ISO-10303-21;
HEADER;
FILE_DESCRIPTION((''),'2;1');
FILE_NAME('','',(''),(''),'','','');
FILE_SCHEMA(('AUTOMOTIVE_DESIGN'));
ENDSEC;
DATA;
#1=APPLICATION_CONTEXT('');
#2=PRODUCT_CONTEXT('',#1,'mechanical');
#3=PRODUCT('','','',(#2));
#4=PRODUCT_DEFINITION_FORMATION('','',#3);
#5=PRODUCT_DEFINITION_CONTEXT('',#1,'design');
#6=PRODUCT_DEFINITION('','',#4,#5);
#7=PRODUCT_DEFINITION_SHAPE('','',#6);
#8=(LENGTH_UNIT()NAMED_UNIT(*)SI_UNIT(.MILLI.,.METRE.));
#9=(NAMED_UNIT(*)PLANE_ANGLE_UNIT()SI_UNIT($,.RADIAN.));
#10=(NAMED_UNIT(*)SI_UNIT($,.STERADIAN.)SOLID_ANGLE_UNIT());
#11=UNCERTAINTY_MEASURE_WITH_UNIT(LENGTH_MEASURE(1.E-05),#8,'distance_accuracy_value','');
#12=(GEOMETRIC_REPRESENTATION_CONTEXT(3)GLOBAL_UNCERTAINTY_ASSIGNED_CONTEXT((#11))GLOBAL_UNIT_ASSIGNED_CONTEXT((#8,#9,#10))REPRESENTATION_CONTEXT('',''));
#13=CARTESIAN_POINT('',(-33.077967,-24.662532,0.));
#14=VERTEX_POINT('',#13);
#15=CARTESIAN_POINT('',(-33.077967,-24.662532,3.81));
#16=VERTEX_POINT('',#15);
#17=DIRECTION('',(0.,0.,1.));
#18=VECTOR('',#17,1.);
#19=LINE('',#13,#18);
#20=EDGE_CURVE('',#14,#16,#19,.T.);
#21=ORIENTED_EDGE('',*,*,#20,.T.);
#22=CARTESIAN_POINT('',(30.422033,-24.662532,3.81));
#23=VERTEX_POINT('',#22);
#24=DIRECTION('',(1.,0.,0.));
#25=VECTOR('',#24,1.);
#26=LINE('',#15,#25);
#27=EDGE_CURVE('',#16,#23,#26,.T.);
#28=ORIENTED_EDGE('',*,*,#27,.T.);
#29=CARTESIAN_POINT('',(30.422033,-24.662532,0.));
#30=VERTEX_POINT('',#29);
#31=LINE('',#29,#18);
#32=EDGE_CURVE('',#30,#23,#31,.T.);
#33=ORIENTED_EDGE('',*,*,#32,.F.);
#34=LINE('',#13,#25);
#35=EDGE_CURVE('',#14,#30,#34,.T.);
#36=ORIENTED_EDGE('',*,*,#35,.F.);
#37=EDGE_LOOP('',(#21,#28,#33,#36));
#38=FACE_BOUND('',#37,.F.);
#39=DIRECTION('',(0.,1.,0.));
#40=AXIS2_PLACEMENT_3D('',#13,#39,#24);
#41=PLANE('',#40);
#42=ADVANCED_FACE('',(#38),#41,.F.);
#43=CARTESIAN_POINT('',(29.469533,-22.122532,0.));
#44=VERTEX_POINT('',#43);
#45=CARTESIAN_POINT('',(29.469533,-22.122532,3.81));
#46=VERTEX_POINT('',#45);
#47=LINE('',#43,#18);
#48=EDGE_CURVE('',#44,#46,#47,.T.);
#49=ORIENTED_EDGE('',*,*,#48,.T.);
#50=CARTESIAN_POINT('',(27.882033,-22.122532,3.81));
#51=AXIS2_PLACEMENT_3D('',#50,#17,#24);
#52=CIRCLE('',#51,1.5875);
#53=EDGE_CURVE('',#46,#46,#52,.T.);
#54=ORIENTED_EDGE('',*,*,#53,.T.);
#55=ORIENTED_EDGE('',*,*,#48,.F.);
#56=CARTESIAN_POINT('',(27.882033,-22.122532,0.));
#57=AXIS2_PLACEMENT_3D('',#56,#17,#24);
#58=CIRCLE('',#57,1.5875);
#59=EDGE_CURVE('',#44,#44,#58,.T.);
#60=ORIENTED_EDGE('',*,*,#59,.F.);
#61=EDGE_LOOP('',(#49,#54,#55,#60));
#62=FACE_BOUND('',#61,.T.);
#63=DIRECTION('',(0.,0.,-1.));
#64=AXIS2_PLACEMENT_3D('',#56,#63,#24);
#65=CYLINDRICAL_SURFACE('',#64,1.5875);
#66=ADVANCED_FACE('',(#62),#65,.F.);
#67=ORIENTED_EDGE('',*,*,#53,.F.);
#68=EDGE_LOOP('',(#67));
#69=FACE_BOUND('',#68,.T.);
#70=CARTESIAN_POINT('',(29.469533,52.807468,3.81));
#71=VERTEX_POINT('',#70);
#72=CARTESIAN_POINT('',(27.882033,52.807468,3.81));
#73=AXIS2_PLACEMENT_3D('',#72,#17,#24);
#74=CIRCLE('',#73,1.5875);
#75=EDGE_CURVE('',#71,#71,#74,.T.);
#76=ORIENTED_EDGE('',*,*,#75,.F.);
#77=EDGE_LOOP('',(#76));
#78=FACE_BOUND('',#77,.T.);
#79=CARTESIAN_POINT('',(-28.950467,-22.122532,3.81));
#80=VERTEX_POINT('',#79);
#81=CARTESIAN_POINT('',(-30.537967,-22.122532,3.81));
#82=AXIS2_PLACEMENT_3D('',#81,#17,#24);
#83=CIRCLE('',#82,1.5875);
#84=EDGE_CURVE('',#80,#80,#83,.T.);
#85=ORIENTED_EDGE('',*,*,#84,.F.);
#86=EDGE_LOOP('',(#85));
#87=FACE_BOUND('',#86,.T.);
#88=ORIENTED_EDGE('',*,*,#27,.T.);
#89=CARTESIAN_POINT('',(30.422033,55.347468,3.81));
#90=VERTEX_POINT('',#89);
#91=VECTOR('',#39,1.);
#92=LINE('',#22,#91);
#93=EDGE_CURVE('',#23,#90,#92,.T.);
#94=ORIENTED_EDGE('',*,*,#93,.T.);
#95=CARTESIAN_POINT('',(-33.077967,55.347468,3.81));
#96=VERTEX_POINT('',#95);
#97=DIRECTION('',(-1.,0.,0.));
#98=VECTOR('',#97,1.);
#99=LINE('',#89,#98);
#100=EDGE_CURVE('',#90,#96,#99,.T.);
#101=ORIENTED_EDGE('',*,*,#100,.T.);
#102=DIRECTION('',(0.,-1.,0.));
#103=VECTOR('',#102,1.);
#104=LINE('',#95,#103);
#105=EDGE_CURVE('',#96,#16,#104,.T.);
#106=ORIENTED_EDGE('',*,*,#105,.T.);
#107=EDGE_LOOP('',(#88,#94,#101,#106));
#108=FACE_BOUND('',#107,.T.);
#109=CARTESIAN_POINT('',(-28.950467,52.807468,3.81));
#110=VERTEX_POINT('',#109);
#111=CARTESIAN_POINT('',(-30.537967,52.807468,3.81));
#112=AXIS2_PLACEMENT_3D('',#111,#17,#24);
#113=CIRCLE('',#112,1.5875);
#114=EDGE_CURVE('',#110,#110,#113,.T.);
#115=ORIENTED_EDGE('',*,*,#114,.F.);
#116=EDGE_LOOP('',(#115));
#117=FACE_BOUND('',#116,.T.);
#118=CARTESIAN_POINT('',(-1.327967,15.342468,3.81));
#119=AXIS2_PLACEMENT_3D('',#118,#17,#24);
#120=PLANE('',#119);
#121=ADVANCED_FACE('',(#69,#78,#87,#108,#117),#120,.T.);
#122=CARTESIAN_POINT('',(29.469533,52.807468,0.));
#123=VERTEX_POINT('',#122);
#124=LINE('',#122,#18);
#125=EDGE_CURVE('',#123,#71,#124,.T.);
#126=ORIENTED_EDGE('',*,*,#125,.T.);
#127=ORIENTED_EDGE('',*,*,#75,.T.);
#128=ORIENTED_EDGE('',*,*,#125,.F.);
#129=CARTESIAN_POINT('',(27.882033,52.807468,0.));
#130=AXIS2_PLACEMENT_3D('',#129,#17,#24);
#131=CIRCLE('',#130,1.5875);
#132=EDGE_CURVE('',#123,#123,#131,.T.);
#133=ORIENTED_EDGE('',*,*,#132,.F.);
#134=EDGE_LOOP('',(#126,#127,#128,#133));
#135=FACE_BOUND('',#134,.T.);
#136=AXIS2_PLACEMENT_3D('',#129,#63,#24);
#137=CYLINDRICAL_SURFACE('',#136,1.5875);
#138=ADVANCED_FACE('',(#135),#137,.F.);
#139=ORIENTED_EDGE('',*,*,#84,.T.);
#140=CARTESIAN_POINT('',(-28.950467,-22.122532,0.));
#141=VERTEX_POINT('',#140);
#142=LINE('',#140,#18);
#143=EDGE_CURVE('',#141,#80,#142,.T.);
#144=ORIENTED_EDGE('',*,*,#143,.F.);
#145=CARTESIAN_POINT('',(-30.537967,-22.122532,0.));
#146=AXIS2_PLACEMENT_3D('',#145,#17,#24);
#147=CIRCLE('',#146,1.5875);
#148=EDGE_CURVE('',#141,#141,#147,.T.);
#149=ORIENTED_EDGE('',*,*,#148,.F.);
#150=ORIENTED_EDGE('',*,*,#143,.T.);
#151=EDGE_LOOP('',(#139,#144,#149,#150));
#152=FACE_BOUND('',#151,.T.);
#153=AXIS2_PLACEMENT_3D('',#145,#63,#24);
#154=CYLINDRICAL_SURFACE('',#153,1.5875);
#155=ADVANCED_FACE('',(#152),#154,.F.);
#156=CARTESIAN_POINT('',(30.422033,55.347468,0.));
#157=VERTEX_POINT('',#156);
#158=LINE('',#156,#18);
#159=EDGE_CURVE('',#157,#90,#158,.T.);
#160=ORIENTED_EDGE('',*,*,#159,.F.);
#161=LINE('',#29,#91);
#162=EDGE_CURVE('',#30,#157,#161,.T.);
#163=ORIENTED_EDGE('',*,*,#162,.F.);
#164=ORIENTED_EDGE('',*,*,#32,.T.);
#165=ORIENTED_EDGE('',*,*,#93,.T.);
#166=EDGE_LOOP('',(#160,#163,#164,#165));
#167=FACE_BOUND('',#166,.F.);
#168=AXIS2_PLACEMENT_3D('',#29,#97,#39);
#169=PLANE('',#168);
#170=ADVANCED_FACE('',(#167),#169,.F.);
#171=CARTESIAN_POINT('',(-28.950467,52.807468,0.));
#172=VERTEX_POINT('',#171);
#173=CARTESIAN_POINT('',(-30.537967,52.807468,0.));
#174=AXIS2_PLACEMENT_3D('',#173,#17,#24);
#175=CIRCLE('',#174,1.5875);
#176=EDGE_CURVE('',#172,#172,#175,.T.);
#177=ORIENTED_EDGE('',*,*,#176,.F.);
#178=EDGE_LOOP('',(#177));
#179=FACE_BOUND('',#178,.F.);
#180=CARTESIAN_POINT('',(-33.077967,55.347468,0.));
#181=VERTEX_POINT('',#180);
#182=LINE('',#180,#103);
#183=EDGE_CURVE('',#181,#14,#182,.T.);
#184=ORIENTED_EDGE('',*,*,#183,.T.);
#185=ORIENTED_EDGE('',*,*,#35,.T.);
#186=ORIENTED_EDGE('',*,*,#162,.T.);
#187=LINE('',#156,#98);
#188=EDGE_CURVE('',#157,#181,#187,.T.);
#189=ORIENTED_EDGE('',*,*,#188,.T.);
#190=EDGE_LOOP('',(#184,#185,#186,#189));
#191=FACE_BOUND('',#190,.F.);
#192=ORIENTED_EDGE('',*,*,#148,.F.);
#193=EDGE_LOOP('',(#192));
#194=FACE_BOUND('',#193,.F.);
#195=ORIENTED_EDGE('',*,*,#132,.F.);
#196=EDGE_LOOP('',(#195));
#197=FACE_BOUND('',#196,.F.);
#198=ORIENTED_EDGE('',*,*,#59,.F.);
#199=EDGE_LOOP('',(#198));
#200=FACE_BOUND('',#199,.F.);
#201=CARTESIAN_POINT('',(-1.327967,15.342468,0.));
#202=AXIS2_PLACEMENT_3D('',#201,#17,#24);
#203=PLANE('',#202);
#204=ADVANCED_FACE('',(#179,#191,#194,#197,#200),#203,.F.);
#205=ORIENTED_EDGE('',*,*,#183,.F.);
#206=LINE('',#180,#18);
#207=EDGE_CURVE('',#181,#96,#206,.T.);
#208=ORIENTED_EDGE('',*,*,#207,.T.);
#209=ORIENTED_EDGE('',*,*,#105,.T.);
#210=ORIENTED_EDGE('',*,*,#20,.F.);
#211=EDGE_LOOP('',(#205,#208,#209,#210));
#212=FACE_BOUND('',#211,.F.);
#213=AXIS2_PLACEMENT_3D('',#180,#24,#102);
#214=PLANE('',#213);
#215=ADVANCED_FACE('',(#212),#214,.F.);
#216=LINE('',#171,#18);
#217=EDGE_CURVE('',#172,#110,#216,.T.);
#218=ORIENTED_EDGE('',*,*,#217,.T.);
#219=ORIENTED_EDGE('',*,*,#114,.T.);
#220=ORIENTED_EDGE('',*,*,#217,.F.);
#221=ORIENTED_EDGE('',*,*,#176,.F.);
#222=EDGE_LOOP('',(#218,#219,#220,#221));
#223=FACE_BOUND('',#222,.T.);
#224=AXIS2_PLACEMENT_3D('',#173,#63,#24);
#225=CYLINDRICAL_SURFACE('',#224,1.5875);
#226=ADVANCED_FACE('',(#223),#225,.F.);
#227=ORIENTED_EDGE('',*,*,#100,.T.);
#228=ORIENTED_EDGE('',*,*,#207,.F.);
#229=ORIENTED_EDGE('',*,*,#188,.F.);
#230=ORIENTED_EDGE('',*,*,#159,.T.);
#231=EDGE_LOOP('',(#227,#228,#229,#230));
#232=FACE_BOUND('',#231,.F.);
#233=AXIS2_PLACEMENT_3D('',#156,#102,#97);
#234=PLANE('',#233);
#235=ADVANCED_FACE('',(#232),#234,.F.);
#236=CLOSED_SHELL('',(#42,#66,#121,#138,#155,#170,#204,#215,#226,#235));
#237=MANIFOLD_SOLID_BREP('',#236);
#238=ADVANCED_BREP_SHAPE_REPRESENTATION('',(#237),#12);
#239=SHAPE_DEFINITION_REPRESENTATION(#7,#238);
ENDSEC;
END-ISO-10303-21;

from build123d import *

# Parameters (mm, degrees)
F0_R     = 1.5875
F0_W     = 53.34
F0_H     = 69.85
F1_DEPTH = 3.81


with BuildPart() as f1:
    # F0 (on Top) → F1 (new body)
    with BuildSketch(Plane.XY):
        Polygon((-27.997967, 55.347468), (-33.077967, 55.347468), (-33.077967, 50.267468), (-33.077967, -19.582532), (-33.077967, -24.662532), (-27.997967, -24.662532), (25.342033, -24.662532), (30.422033, -24.662532), (30.422033, -19.582532), (30.422033, 50.267468), (30.422033, 55.347468), (25.342033, 55.347468), align=None)
        with Locations((-30.537967, -22.122532)):
            Circle(F0_R, mode=Mode.SUBTRACT)
        with Locations((27.882033, -22.122532)):
            Circle(F0_R, mode=Mode.SUBTRACT)
        with Locations((-1.327967, 15.342468)):
            Rectangle(F0_W, F0_H, mode=Mode.SUBTRACT)
        with Locations((-30.537967, 52.807468)):
            Circle(F0_R, mode=Mode.SUBTRACT)
        with Locations((27.882033, 52.807468)):
            Circle(F0_R, mode=Mode.SUBTRACT)
        with Locations((-1.327967, 15.342468)):
            Rectangle(F0_W, F0_H)
    extrude(amount=F1_DEPTH)


solid = f1.part
